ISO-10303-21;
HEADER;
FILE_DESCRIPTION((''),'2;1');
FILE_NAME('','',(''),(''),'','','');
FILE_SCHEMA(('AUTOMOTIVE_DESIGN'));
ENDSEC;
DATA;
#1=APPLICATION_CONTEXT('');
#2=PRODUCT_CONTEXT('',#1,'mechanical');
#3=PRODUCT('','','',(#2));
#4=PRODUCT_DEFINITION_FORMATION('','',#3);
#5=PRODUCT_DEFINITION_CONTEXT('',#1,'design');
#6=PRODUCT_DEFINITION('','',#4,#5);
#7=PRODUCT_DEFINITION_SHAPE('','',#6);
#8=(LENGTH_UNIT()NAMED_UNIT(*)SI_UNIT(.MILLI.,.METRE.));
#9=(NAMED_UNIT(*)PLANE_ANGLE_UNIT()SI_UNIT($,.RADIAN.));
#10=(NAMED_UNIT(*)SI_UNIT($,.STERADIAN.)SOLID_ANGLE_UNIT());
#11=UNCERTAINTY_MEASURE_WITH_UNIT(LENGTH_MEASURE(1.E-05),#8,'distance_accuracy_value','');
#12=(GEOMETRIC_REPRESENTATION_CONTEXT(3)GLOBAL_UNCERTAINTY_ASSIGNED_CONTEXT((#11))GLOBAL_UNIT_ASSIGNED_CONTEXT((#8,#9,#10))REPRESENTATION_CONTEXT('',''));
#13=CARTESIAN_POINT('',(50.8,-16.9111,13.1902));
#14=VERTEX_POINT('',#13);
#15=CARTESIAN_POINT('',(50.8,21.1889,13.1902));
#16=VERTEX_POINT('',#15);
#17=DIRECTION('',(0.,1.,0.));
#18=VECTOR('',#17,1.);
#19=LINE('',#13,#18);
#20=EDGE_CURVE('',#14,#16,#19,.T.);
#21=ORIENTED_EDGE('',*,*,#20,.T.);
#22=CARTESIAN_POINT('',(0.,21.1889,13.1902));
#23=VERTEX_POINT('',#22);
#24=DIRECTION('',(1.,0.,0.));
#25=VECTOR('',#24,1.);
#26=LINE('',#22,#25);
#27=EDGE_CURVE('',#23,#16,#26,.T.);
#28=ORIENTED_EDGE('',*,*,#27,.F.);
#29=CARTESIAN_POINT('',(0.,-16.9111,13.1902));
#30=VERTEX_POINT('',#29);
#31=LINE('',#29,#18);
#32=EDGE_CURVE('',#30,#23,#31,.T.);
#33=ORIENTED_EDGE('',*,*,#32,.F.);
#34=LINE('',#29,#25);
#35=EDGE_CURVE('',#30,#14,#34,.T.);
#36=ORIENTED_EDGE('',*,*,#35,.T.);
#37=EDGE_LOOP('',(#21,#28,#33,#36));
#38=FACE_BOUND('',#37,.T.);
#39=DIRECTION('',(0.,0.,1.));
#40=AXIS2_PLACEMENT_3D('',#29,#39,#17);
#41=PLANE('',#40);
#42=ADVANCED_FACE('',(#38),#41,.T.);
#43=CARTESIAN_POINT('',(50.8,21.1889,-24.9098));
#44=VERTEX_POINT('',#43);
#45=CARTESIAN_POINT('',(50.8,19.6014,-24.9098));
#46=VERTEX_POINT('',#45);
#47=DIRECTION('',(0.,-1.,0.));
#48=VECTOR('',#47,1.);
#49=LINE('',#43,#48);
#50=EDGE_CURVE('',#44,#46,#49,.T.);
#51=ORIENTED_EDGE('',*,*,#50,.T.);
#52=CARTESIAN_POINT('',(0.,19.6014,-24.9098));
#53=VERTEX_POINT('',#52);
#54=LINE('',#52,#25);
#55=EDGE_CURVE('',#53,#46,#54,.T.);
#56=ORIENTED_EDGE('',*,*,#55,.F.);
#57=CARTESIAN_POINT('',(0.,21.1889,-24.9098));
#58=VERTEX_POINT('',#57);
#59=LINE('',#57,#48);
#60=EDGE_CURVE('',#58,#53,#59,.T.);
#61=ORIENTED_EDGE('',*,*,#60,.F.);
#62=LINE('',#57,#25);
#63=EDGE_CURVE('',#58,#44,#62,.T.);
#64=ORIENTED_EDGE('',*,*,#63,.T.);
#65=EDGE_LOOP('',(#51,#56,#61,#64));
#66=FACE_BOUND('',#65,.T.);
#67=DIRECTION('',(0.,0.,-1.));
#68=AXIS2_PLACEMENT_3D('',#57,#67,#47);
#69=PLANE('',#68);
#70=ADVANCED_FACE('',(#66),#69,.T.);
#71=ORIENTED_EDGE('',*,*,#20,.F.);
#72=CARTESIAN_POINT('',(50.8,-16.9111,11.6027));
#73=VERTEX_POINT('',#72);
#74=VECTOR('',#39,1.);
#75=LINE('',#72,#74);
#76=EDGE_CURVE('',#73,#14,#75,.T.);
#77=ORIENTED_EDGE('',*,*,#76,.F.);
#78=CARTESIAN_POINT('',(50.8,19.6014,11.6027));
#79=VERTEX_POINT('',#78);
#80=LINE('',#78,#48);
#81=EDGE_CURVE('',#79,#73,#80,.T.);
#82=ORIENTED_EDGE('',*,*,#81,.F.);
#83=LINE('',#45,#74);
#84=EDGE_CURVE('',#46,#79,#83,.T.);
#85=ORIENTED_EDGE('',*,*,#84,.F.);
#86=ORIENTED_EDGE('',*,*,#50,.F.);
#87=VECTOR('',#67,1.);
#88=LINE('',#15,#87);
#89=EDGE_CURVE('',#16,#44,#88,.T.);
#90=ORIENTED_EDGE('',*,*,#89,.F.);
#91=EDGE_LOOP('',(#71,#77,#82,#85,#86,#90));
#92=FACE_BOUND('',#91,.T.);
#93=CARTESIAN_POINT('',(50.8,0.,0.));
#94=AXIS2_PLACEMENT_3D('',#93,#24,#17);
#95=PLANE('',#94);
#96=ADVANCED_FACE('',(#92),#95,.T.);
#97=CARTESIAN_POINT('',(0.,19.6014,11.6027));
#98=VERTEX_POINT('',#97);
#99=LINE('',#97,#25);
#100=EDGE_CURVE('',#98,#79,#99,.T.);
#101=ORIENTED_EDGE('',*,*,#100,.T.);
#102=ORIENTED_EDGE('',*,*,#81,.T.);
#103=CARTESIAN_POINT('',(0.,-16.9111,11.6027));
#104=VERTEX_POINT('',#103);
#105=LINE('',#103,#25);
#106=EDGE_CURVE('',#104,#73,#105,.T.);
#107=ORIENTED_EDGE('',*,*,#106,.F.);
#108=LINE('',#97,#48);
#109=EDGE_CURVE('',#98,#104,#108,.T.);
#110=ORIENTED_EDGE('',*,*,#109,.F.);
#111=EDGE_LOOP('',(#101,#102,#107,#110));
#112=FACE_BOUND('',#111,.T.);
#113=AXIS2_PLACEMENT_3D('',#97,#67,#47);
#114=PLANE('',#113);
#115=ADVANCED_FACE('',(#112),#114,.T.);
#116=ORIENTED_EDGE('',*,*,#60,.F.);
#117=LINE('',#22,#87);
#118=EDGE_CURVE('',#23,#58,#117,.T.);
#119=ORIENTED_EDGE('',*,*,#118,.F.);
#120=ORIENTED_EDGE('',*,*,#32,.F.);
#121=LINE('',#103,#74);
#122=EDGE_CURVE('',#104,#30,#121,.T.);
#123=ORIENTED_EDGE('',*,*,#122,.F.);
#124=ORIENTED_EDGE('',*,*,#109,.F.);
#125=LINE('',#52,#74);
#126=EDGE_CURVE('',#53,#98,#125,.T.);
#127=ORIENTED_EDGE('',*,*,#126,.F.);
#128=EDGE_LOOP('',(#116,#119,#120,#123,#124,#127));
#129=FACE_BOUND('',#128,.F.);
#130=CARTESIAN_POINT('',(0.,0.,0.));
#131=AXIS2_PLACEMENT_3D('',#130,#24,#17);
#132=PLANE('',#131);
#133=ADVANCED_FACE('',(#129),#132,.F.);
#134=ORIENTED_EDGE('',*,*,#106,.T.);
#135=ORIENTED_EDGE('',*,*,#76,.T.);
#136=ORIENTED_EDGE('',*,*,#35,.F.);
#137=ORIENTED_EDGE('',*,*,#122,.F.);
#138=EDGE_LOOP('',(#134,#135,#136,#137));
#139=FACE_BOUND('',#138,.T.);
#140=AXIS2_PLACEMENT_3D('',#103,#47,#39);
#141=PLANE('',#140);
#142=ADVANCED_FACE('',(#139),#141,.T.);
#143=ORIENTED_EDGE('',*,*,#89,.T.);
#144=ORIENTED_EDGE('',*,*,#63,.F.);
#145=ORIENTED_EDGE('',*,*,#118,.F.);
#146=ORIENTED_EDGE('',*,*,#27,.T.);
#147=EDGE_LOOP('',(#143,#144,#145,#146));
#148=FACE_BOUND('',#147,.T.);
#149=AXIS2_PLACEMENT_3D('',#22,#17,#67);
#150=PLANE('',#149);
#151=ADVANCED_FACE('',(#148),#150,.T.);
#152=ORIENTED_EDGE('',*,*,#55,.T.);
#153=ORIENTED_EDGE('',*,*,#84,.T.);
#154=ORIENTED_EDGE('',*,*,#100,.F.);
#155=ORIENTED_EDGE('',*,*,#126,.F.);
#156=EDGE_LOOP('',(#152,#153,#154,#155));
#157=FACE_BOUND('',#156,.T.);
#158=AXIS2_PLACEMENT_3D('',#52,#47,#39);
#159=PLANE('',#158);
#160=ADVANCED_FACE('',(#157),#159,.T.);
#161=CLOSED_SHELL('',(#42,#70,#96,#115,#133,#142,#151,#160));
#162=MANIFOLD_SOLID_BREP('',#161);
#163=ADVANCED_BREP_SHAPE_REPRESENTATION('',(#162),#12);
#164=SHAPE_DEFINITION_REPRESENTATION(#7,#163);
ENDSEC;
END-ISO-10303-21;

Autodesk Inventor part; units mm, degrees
ref_plane "YZ Plane" through (0, 0, 0) normal (1, 0, 0) x (0, 1, 0)
ref_plane "XZ Plane" through (0, 0, 0) normal (0, 1, 0) x (-1, 0, 0)
ref_plane "XY Plane" through (0, 0, 0) normal (0, 0, 1) x (1, 0, 0)
sketch "Sketch1" plane through (0, 0, 0) normal (1, 0, 0) x (0, 1, 0)
  line L0 (-16.9111, 13.1902) -> (21.1889, 13.1902)
  line L1 (21.1889, 13.1902) -> (21.1889, -24.9098)
  line L2 (21.1889, -24.9098) -> (19.6014, -24.9098)
  line L3 (19.6014, -24.9098) -> (19.6014, 11.6027)
  line L4 (19.6014, 11.6027) -> (-16.9111, 11.6027)
  line L5 (-16.9111, 11.6027) -> (-16.9111, 13.1902)
  point P0 (0, 0)
  dimension "d0" = 38.1
  dimension "d1" = 38.1
  dimension "d2" = 1.5875
  dimension "d3" = 36.5125
  dimension "d4" = 36.5125
extrude "Extrusion1" add sketch "Sketch1" along normal blind 50.8
properties part number "corner piece 2x1.5"
